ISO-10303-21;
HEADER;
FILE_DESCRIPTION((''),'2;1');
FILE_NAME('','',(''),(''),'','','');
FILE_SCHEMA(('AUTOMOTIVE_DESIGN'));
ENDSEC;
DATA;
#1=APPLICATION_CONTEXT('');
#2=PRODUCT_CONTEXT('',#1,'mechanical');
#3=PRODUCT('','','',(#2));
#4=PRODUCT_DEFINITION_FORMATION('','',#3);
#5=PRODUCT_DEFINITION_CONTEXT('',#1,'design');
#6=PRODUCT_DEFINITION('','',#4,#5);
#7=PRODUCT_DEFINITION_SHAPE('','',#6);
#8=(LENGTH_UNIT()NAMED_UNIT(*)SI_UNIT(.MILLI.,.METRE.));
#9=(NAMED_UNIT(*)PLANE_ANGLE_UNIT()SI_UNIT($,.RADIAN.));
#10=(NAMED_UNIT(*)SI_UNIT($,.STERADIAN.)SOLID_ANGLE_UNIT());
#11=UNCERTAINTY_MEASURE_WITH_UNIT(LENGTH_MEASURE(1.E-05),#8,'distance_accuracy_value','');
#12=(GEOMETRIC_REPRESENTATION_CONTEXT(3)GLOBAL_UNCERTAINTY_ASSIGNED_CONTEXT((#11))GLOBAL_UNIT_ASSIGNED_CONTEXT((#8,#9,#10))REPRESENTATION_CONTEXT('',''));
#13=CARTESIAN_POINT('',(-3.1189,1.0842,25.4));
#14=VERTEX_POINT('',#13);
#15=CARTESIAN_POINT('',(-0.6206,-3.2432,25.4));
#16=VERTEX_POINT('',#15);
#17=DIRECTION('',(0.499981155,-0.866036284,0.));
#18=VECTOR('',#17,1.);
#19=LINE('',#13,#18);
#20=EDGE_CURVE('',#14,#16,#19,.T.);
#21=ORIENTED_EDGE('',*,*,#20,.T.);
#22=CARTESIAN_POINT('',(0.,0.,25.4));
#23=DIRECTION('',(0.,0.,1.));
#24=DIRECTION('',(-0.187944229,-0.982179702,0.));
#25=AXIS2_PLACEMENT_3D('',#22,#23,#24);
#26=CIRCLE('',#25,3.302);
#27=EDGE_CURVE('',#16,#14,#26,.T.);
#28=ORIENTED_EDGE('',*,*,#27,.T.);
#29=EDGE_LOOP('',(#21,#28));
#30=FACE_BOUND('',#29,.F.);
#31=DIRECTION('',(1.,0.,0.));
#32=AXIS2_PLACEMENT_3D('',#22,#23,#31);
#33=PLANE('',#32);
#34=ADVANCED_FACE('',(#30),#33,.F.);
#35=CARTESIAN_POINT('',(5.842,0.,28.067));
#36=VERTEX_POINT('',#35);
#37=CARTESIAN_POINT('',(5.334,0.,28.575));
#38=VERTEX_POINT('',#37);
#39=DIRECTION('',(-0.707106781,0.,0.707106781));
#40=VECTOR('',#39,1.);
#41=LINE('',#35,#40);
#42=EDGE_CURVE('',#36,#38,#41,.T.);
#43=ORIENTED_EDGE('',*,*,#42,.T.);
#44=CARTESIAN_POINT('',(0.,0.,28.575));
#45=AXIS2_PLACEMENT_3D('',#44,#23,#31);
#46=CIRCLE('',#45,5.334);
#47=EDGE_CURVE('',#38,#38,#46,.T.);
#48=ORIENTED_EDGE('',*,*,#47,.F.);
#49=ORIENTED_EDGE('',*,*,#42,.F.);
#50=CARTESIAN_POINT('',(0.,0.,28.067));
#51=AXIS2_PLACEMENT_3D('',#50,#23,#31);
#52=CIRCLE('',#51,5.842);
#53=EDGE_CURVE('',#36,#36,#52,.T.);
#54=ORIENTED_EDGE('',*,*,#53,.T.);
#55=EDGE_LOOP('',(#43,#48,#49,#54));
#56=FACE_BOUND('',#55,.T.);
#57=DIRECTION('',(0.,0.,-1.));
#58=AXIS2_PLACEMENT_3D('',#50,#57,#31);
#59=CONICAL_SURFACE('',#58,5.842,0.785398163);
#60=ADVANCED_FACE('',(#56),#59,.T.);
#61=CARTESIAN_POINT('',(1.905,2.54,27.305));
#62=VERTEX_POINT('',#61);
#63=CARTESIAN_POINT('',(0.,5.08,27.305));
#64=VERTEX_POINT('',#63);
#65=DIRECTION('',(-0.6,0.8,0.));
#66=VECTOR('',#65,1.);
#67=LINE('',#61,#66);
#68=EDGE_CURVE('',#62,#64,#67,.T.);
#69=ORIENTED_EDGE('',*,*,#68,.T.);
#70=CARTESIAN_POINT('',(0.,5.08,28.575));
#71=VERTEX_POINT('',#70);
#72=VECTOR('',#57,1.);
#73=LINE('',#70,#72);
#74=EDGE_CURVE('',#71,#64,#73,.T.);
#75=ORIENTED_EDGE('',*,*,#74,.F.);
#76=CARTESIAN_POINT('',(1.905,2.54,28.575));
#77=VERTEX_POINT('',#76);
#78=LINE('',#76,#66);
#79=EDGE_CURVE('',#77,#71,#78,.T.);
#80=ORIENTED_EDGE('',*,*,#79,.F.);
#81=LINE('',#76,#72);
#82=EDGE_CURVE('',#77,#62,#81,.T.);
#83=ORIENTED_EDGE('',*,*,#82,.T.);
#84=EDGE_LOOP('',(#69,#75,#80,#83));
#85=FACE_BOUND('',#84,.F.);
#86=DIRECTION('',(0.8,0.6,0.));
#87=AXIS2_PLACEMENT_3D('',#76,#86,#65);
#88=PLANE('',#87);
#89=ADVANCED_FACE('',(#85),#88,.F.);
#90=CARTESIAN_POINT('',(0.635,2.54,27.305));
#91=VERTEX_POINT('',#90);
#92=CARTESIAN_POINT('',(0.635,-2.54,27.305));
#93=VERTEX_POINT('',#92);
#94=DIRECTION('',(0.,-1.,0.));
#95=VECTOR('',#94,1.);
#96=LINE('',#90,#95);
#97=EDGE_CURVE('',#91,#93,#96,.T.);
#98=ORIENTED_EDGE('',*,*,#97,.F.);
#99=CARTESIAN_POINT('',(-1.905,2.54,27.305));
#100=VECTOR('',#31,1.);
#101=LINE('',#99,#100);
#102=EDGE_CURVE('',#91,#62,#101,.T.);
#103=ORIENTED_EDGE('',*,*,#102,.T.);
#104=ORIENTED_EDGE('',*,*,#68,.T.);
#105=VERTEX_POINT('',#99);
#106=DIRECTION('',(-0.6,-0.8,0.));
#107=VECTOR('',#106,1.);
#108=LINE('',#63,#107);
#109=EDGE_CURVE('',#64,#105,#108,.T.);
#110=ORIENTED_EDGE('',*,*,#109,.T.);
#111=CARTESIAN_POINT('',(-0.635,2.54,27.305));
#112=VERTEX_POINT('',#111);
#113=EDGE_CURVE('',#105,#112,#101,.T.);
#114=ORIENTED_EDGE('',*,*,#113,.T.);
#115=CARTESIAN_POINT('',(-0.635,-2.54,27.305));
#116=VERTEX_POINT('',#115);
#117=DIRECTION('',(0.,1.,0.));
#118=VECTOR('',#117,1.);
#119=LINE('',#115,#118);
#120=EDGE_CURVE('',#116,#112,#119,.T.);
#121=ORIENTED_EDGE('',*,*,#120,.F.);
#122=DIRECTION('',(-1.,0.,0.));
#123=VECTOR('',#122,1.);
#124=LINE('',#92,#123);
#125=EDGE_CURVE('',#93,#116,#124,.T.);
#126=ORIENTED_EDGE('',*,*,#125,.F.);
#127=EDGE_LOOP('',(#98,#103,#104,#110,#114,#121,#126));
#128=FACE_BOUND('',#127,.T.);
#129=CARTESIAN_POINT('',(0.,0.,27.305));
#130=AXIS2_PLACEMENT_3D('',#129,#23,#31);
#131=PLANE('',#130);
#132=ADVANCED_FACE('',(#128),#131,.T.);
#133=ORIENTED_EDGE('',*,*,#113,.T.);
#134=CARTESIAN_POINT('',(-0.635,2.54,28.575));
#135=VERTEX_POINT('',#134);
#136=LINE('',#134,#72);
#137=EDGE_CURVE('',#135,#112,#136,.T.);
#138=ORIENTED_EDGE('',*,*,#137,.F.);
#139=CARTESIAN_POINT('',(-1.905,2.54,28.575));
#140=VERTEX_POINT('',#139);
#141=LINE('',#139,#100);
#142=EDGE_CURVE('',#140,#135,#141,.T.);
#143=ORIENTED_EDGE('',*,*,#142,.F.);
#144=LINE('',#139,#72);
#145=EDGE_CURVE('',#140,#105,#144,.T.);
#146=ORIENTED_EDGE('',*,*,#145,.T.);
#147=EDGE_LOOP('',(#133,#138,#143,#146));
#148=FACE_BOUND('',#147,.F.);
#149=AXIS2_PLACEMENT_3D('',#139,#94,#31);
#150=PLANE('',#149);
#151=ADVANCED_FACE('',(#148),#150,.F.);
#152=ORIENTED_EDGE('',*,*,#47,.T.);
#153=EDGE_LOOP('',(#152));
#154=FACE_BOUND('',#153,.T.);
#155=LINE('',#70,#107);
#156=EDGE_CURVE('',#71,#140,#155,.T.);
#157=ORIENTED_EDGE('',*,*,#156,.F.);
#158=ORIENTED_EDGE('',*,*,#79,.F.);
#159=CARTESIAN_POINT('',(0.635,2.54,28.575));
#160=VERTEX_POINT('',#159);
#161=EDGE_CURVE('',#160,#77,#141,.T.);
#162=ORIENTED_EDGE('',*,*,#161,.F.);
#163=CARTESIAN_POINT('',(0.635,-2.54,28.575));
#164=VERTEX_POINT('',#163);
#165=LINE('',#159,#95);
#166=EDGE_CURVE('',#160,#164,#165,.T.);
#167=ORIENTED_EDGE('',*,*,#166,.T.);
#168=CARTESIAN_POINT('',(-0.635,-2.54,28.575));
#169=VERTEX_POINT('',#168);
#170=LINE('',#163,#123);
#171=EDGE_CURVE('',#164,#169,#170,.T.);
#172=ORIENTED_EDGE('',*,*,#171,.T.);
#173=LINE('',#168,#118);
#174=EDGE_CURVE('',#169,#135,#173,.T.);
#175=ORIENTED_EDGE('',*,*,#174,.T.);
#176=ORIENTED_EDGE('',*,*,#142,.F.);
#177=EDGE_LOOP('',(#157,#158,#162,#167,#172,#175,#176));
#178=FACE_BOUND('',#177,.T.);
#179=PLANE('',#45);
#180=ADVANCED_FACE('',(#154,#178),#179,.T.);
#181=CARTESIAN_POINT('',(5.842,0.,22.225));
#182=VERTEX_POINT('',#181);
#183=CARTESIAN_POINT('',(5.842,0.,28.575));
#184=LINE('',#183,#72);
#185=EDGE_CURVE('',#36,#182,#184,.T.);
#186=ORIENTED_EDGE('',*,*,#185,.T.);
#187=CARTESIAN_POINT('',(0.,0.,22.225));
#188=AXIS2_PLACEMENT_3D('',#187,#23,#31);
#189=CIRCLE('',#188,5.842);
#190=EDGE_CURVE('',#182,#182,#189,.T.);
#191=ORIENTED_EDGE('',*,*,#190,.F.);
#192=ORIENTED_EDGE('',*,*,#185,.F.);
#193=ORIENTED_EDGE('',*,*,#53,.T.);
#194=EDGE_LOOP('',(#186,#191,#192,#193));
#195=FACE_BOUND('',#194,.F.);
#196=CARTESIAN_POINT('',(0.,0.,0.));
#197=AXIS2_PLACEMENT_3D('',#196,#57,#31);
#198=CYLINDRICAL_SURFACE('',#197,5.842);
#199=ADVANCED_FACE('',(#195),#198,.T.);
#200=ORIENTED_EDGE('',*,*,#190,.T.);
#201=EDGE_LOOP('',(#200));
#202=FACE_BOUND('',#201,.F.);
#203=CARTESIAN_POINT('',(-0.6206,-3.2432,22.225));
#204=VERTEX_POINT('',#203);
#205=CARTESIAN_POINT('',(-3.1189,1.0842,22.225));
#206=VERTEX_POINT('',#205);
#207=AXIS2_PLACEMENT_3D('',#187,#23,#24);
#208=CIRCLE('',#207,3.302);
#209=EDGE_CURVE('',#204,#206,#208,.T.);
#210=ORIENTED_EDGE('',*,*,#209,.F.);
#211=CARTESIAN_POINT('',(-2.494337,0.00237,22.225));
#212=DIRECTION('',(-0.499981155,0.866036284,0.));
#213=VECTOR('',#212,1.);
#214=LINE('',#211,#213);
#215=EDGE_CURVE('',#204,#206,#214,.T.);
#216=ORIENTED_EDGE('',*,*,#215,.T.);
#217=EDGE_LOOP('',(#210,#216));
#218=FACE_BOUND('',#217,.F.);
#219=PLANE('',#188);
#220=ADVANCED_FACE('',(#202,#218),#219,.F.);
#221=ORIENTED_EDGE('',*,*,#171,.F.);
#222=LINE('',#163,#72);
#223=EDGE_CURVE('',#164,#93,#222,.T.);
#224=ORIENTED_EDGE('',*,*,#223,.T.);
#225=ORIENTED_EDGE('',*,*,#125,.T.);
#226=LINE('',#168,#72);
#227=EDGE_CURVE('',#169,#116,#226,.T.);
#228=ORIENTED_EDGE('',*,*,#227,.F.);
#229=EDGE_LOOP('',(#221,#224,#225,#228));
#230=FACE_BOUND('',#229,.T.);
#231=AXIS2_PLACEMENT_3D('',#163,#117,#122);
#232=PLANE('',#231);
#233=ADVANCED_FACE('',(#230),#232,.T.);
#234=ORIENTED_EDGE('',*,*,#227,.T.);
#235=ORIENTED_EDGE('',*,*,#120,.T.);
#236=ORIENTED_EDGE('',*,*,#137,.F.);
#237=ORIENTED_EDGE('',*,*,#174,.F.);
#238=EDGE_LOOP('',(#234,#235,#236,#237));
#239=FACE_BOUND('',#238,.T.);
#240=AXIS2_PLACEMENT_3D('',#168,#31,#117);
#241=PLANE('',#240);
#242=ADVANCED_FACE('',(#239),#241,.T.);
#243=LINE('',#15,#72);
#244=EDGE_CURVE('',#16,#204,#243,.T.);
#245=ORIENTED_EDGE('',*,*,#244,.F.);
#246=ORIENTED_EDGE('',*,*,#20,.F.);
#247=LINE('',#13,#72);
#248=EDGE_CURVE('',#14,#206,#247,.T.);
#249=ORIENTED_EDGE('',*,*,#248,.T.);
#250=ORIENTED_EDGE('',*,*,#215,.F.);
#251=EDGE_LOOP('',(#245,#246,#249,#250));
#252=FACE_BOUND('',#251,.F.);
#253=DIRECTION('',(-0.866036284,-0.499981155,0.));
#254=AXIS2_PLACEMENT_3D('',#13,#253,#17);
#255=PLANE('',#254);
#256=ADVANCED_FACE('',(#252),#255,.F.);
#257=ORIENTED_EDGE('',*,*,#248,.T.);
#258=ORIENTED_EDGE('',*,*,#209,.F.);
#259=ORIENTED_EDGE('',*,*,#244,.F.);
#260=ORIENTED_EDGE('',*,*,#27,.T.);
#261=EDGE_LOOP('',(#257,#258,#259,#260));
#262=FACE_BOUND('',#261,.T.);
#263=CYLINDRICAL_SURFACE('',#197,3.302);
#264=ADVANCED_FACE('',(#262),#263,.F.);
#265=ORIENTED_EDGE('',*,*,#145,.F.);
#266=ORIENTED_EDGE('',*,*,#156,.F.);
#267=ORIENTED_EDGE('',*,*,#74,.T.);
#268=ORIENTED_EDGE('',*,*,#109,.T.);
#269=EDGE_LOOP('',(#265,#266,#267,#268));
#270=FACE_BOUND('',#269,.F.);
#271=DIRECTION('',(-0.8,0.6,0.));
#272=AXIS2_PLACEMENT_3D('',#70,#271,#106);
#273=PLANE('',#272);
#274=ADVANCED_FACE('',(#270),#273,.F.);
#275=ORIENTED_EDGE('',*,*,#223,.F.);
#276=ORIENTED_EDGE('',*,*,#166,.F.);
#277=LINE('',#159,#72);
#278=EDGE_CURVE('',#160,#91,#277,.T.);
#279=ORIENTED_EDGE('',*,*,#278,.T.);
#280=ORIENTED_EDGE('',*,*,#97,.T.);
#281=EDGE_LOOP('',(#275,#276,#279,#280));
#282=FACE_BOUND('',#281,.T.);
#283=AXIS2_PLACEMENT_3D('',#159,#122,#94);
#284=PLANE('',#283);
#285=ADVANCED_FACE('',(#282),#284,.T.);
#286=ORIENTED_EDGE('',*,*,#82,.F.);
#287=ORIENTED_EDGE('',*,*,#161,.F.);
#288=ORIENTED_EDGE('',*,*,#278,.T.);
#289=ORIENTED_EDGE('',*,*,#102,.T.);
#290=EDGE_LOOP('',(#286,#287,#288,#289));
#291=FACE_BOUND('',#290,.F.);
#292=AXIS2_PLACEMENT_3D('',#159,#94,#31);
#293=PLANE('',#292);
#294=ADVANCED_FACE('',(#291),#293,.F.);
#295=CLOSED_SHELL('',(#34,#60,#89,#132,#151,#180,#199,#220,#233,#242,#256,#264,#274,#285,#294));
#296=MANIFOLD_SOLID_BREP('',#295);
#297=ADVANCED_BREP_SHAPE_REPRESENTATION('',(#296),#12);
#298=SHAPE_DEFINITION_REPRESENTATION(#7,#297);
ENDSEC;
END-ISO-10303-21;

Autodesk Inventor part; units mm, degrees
ref_plane "YZ Plane" through (0, 0, 0) normal (1, 0, 0) x (0, 1, 0)
ref_plane "XZ Plane" through (0, 0, 0) normal (0, 1, 0) x (-1, 0, 0)
ref_plane "XY Plane" through (0, 0, 0) normal (0, 0, 1) x (1, 0, 0)
sketch "Sketch1" plane through (0, 0, 0) normal (0, 0, 1) x (1, 0, 0)
  circle A0 centre (0, 0) radius 2.9845
  circle A1 centre (0, 0) radius 5.842
  circle A2 centre (0, 0) radius 3.302
  dimension "d0" = 5.969
  dimension "d2" = 0.3175
  dimension "d5" = 2.54
extrude "Extrusion1" add sketch "Sketch1" along normal blind 25.4 contours A1
sketch "Sketch2" plane through (0, 0, 25.4) normal (0, 0, 1) x (1, 0, 0)
  circle A0 centre (0, 0) radius 5.842 projected
extrude "Extrusion2" add sketch "Sketch2" along normal blind 3.175
sketch "Sketch3" plane through (0, 0, 28.575) normal (0, 0, 1) x (1, 0, 0)
  line L0 (0.635, -2.54) -> (-0.635, -2.54)
  line L1 (-0.635, -2.54) -> (-0.635, 2.54)
  line L2 (-0.635, 2.54) -> (0.635, 2.54)
  line L3 (0.635, 2.54) -> (0.635, -2.54)
  line L4 (0.635, -2.54) -> (-0.635, 2.54) construction
  line L5 (-0.635, -2.54) -> (0.635, 2.54) construction
  line L6 (0, 2.54) -> (0, -2.54) construction
  line L7 (-1.905, 2.54) -> (1.905, 2.54)
  line L8 (1.905, 2.54) -> (0, 5.08)
  line L9 (0, 5.08) -> (-1.905, 2.54)
  point P0 (0, 0)
  dimension "d8" = 5.08
  dimension "d9" = 2.54
  dimension "d10" = 1.27
  dimension "d11" = 3.81
extrude "Extrusion3" cut sketch "Sketch3" against normal blind 1.27
chamfer "Chamfer1" distance 0.508 angle 45 1 edges at (-5.842, 0, 28.575)
sketch "Sketch6" plane through (0, 0, 25.4) normal (0, 0, -1) x (-1, 0, 0)
  circle A0 centre (0, 0) radius 3.302 projected
  line L0 (0.6206, 3.2432) -> (3.1189, -1.0842) construction
  line L1 (3.1189, 1.0842) -> (0.6206, -3.2432)
  line L2 (0, 0) -> (3.302, 0) construction
  circle A1 centre (0, 0) radius 3.302 construction
  line L3 (0, 0) -> (2.8596, -1.651) construction
  line L4 (0, 0) -> (2.8596, 1.651) construction
  line L5 (-1.3144, 4.3273) -> (-3.8128, 0) construction
  arc A2 (0.6206, -3.2432) -> (3.1189, 1.0842) centre (0, 0) ccw
  dimension "d24" = 60
  dimension "d26" = 5.461
extrude "Extrusion6" add sketch "Sketch6" along normal blind 10.16 contours A0 L1 picked at (1.6947, -1.725)
sketch "Sketch7" plane through (0, 0, 28.575) normal (0, 0, 1) x (1, 0, 0)
  circle A0 centre (0, 0) radius 5.842 projected
extrude "Extrusion7" cut sketch "Sketch7" against normal blind 6.35 keep common part
equation "\"d9\" = 0.5 * d8"
equation "\"d11\" = 3 * d10"
properties part number "testpotcap"
